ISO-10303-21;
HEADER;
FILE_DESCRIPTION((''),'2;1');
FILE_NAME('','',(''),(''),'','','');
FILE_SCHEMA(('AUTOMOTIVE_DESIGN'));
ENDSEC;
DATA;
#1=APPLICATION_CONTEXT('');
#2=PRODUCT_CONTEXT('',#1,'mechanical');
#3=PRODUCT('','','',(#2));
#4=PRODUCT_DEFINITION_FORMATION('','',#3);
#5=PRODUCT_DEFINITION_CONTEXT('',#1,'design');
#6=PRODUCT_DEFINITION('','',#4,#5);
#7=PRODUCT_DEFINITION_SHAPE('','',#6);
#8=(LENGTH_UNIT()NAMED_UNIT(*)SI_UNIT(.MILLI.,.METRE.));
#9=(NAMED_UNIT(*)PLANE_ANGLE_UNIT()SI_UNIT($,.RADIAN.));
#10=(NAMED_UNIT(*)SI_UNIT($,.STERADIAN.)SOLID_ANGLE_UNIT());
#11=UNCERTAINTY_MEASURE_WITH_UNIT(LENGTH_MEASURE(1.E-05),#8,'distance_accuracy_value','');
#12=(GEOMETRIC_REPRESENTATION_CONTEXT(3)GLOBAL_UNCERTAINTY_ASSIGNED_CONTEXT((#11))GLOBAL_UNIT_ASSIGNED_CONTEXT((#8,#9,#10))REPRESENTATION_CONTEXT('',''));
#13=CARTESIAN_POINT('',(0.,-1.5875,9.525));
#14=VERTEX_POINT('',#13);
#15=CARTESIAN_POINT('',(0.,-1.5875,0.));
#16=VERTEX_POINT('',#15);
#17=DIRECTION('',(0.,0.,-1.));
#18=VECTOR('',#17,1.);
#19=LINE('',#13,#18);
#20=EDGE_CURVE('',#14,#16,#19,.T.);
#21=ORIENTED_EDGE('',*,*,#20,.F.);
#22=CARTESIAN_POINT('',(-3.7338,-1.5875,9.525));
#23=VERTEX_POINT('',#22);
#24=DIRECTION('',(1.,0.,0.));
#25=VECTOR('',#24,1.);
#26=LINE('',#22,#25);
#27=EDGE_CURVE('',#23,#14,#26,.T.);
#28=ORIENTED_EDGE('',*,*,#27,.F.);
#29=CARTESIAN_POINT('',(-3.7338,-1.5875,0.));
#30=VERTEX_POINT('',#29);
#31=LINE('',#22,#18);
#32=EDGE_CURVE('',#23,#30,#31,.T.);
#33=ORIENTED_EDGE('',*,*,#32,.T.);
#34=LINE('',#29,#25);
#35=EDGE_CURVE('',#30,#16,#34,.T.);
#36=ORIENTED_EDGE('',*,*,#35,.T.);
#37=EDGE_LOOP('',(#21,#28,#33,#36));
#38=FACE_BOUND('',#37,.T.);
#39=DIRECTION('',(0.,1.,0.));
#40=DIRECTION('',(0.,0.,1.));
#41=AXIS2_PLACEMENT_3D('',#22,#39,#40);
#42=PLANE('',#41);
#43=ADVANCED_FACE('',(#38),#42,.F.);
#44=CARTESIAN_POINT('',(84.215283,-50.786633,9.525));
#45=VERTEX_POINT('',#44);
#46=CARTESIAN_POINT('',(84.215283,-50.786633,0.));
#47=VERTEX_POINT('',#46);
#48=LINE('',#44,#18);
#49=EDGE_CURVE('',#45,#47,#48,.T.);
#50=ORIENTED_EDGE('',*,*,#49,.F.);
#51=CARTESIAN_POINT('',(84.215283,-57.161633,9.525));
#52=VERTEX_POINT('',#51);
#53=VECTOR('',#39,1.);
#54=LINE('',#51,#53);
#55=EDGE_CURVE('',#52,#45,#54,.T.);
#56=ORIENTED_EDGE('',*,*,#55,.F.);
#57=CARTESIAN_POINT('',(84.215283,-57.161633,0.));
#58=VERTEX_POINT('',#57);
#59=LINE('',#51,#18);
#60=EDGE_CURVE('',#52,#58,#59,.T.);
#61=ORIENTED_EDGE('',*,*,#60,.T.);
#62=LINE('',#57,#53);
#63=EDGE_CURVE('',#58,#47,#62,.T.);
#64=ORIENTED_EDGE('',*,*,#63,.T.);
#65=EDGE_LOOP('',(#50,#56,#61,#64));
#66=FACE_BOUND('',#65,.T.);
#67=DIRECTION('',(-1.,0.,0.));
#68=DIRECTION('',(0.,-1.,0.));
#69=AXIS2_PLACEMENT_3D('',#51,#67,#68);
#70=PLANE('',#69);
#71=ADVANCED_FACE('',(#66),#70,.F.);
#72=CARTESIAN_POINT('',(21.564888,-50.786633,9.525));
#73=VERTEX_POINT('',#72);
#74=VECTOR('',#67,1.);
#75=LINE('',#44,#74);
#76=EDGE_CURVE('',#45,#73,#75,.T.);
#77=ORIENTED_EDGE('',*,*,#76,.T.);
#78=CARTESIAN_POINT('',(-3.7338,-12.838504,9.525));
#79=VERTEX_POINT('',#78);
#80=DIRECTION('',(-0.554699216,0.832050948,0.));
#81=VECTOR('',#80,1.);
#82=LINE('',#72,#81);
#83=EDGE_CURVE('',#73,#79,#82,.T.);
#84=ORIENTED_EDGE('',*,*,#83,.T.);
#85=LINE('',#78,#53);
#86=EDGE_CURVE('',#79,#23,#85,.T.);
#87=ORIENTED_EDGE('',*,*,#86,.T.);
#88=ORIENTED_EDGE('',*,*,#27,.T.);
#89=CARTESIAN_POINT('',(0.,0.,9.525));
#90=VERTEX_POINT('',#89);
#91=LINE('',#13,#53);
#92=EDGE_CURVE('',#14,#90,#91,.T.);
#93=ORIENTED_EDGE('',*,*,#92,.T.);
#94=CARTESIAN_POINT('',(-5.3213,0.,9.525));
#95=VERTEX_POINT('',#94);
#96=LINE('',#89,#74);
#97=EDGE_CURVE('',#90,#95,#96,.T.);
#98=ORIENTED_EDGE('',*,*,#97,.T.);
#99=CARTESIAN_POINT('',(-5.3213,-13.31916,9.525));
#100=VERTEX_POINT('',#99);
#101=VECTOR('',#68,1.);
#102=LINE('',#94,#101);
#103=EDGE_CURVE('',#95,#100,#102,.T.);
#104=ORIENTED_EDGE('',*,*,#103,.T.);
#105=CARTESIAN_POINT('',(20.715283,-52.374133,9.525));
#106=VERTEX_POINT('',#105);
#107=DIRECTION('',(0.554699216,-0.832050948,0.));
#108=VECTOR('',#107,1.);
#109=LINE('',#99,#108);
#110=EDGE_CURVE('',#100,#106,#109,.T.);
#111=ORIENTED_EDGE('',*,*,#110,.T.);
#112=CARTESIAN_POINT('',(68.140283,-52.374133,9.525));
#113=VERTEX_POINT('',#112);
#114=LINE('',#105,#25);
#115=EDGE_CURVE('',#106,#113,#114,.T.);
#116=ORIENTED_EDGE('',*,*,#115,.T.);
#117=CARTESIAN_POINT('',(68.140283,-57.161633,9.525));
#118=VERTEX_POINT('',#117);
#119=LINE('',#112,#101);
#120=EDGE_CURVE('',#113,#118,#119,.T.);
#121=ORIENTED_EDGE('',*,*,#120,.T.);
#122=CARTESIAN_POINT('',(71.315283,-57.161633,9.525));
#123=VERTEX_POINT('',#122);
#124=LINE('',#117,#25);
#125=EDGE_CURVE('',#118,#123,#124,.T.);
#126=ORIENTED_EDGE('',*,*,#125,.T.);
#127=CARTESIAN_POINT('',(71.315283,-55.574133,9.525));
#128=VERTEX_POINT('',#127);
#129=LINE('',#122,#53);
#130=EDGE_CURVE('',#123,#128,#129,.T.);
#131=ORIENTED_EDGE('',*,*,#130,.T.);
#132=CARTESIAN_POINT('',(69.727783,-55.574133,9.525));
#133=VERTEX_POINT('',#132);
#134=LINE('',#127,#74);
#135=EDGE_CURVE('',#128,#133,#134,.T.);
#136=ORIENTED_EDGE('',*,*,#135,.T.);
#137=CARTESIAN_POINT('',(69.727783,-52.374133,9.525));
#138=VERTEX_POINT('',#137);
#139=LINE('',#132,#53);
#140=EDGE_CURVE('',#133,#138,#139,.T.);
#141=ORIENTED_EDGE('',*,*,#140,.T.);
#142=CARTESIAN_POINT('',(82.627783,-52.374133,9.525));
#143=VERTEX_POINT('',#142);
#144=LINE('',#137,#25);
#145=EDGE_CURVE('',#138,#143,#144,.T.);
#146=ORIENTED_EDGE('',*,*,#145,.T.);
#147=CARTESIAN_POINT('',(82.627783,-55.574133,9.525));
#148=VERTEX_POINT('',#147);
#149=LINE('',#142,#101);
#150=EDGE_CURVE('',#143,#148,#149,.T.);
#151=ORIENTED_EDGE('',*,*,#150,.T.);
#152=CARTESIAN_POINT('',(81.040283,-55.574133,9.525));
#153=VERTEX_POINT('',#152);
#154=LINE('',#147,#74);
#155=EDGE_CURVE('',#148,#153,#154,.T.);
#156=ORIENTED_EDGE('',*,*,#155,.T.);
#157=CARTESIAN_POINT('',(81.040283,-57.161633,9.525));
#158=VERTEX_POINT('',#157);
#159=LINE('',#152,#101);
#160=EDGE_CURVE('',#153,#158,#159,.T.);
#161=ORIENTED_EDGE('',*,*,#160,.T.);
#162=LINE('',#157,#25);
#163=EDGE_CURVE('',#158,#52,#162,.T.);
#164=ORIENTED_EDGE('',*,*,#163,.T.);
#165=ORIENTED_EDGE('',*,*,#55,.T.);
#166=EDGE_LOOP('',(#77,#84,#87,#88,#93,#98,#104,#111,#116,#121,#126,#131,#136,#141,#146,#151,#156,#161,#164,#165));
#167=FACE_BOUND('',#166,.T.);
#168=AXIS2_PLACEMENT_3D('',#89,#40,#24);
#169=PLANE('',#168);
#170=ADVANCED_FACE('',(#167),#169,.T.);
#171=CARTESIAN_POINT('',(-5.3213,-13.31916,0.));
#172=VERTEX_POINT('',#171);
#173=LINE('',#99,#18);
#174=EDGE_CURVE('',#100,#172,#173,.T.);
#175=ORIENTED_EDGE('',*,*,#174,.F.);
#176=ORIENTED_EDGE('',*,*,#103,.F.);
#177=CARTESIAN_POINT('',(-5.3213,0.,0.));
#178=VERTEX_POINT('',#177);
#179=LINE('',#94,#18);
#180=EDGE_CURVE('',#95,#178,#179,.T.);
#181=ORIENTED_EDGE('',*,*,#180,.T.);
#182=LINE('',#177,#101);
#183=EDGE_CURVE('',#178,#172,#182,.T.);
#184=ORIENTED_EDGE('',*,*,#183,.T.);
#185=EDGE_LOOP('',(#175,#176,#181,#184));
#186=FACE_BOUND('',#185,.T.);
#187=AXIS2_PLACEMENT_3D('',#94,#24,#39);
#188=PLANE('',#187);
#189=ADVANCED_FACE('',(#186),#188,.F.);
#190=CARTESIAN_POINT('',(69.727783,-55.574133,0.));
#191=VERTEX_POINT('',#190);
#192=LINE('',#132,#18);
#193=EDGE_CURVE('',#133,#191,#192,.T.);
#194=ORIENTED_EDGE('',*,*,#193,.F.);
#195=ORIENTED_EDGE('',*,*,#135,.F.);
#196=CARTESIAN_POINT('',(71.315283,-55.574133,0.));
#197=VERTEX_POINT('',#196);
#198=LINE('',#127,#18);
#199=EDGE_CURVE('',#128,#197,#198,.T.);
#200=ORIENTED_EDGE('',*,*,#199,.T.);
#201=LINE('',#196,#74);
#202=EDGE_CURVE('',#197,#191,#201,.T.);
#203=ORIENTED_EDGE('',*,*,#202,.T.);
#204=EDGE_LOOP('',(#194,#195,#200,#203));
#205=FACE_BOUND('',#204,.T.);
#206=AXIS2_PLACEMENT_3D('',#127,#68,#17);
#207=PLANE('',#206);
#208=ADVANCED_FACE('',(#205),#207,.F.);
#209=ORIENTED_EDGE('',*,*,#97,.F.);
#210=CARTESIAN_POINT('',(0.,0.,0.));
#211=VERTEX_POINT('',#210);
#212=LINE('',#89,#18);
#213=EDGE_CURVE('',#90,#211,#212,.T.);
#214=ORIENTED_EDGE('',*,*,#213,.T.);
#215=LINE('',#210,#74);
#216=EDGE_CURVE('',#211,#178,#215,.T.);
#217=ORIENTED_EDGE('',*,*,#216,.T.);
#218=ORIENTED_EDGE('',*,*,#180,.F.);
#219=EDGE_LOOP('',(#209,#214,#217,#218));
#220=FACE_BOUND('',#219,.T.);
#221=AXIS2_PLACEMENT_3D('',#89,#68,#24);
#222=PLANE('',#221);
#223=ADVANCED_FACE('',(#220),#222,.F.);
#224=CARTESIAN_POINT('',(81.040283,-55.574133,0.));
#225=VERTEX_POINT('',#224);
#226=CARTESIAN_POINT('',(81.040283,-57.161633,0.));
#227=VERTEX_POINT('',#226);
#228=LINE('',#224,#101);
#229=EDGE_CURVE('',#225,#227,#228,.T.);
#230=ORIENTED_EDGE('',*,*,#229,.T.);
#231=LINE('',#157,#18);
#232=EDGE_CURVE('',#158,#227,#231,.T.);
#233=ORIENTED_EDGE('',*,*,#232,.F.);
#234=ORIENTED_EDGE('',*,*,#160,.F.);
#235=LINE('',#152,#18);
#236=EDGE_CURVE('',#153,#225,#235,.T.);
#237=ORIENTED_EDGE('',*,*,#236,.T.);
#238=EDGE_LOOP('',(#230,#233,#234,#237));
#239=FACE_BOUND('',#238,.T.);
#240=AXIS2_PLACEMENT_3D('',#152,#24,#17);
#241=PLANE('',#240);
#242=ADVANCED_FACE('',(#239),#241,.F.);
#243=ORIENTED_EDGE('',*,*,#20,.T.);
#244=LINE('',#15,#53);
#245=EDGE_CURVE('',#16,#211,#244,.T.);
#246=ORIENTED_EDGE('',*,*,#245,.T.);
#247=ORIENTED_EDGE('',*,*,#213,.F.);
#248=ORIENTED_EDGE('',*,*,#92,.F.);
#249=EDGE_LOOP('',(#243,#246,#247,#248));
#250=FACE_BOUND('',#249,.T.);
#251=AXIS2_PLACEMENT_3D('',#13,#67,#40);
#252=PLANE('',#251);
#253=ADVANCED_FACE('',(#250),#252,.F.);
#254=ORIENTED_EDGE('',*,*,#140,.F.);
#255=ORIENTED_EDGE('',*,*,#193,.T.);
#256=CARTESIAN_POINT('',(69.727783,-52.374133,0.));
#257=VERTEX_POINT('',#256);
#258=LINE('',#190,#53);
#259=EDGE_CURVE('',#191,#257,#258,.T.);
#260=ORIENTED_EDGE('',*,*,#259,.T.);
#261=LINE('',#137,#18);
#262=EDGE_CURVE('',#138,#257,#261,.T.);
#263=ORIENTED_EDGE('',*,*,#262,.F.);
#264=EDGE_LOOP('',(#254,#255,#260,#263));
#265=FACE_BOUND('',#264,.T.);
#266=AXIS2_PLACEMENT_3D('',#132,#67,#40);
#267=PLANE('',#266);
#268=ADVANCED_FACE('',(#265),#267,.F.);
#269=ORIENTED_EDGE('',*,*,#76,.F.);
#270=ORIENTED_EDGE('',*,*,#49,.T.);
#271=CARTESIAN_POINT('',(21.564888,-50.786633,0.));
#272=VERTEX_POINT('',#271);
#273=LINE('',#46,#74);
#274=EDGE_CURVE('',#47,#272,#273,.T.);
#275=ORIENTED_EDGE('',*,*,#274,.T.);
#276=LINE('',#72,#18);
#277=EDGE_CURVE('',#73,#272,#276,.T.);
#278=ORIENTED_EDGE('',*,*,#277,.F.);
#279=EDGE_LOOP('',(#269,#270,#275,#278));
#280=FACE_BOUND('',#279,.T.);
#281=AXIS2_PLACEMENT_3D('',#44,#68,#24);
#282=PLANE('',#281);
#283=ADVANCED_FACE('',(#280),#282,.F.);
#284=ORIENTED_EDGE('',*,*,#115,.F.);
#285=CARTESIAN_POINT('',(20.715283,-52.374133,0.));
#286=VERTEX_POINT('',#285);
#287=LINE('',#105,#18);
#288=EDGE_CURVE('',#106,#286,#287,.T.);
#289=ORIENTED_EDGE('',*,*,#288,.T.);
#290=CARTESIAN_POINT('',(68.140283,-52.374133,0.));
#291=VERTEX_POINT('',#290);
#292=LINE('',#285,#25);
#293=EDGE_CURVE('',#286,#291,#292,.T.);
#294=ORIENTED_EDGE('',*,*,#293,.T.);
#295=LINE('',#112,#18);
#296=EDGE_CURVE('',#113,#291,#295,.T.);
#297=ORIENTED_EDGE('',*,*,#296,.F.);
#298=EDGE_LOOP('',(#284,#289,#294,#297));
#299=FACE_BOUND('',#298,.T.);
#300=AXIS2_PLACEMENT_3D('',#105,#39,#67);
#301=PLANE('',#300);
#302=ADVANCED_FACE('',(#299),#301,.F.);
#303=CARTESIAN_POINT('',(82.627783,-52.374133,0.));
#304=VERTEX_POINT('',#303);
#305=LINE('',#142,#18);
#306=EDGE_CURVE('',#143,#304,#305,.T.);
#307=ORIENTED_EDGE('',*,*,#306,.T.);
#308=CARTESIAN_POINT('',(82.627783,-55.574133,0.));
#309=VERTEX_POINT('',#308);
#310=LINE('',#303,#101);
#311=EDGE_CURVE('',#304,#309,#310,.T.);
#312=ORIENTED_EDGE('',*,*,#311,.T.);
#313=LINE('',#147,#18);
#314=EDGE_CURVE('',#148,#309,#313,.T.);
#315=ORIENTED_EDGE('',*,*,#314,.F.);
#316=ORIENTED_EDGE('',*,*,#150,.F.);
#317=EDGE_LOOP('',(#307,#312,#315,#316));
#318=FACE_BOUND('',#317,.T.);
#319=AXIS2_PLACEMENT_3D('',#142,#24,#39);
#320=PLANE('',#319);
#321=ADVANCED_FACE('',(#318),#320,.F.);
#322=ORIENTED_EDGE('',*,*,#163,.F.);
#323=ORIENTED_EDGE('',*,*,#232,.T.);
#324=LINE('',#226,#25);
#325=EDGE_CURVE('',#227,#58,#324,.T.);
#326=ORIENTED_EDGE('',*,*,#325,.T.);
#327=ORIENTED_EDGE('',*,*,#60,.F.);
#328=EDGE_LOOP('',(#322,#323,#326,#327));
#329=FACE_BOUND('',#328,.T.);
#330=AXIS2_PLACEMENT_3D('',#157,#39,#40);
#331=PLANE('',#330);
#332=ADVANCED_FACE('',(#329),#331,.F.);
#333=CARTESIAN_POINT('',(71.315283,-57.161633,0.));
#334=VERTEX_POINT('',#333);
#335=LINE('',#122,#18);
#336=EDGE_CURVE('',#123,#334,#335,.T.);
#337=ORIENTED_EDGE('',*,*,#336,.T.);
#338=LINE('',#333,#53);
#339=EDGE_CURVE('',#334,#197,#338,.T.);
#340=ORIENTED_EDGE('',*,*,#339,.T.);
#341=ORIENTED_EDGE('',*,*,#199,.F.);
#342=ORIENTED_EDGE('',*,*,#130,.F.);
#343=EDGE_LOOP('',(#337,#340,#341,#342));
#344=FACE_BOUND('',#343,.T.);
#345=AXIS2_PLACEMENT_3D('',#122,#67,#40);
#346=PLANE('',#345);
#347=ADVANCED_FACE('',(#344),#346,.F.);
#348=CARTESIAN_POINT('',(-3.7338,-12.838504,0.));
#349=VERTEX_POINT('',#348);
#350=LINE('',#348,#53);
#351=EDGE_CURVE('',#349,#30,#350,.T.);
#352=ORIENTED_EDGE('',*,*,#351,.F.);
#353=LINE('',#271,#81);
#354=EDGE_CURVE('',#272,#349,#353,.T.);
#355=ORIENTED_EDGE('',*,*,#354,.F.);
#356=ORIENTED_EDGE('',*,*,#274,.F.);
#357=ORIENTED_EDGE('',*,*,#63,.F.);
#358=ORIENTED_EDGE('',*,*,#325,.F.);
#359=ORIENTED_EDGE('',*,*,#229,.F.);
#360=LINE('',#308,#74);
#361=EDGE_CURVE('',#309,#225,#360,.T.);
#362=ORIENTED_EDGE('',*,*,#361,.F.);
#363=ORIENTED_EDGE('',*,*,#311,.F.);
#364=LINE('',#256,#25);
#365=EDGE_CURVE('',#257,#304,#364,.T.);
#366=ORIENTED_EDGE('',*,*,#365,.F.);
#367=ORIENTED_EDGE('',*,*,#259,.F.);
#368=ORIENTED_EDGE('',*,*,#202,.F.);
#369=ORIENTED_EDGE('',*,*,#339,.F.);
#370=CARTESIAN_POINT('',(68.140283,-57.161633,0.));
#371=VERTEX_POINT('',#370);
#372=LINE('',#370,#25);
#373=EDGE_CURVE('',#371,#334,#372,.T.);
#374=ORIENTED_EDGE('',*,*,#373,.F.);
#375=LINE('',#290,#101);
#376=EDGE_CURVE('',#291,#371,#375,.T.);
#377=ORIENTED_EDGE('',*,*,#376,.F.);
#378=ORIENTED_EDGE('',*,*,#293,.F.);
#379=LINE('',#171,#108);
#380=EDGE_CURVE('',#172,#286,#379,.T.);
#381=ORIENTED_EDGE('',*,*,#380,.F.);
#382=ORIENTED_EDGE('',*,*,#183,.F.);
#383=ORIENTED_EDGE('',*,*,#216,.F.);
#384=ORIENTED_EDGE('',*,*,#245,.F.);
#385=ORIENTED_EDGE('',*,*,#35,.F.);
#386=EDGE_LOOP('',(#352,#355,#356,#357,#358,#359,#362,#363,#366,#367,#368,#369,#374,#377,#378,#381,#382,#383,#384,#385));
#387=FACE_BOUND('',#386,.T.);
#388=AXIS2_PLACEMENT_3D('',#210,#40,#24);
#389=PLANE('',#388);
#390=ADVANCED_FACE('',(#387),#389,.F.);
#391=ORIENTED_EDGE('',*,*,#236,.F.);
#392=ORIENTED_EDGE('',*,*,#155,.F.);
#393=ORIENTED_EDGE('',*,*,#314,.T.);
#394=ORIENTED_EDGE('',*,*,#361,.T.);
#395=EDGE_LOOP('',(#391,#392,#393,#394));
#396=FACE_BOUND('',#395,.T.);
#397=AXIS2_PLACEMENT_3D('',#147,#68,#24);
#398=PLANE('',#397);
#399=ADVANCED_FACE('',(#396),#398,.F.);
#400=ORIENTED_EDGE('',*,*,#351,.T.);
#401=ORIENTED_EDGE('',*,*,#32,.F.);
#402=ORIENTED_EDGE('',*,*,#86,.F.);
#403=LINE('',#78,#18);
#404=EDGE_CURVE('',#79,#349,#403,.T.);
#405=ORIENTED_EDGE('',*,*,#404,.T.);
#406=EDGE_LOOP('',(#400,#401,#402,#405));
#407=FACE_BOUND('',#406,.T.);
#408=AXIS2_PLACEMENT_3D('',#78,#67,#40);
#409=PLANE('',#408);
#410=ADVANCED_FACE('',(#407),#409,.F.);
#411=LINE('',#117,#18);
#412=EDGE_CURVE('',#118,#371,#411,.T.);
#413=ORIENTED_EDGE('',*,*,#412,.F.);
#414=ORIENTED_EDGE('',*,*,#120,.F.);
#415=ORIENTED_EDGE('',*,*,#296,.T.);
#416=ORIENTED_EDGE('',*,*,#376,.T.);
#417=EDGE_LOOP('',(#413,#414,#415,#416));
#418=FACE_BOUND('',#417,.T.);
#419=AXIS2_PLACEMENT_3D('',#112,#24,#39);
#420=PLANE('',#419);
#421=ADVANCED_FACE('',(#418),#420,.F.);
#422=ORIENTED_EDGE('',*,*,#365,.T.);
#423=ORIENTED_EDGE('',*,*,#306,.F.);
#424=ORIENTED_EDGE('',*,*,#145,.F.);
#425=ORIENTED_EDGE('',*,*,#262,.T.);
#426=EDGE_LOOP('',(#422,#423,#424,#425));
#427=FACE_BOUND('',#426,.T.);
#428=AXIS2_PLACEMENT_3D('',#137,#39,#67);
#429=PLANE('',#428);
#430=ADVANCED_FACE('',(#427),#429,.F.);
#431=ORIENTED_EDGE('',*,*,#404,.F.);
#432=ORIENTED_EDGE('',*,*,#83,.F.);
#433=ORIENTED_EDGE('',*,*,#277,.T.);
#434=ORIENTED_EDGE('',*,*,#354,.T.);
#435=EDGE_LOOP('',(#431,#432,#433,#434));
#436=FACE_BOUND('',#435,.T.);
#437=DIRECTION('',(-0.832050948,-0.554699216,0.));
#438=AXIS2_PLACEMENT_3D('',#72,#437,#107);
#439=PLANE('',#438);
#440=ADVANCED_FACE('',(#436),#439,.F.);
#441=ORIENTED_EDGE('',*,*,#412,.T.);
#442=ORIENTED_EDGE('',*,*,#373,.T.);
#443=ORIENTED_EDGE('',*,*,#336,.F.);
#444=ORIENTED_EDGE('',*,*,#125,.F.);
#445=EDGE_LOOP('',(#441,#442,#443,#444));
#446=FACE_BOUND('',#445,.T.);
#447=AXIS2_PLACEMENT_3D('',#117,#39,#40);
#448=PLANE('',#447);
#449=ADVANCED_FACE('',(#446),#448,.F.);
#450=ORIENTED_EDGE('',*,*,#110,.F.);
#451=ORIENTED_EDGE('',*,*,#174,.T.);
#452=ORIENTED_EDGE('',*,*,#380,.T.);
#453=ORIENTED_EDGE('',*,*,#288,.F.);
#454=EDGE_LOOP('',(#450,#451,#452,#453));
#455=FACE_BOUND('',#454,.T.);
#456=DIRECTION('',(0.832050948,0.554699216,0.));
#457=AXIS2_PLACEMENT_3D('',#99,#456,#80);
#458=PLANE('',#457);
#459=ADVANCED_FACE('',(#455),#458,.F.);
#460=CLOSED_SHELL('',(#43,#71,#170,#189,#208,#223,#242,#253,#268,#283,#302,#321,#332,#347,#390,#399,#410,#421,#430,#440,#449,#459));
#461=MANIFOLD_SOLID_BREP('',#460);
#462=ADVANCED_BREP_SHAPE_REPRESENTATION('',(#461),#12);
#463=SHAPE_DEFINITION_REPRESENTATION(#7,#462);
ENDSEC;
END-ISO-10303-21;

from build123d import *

# Parameters (mm, degrees)
BOSS_EXTRUDE1_DEPTH = 9.525


with BuildPart() as part:
    # Sketch1 → Boss-Extrude1 (new body)
    with BuildSketch(Plane.XY):
        Polygon((0, 0), (-5.3213, 0), (-5.3213, -13.319159726), (20.715282574, -52.374133315), (68.140282574, -52.374133315), (68.140282574, -57.161633315), (71.315282574, -57.161633315), (71.315282574, -55.574133315), (69.727782574, -55.574133315), (69.727782574, -52.374133315), (82.627782574, -52.374133315), (82.627782574, -55.574133315), (81.040282574, -55.574133315), (81.040282574, -57.161633315), (84.215282574, -57.161633315), (84.215282574, -50.786633315), (21.564887994, -50.786633315), (-3.7338, -12.838504422), (-3.7338, -1.5875), (0, -1.5875), align=None)
    extrude(amount=BOSS_EXTRUDE1_DEPTH)


solid = part.part
